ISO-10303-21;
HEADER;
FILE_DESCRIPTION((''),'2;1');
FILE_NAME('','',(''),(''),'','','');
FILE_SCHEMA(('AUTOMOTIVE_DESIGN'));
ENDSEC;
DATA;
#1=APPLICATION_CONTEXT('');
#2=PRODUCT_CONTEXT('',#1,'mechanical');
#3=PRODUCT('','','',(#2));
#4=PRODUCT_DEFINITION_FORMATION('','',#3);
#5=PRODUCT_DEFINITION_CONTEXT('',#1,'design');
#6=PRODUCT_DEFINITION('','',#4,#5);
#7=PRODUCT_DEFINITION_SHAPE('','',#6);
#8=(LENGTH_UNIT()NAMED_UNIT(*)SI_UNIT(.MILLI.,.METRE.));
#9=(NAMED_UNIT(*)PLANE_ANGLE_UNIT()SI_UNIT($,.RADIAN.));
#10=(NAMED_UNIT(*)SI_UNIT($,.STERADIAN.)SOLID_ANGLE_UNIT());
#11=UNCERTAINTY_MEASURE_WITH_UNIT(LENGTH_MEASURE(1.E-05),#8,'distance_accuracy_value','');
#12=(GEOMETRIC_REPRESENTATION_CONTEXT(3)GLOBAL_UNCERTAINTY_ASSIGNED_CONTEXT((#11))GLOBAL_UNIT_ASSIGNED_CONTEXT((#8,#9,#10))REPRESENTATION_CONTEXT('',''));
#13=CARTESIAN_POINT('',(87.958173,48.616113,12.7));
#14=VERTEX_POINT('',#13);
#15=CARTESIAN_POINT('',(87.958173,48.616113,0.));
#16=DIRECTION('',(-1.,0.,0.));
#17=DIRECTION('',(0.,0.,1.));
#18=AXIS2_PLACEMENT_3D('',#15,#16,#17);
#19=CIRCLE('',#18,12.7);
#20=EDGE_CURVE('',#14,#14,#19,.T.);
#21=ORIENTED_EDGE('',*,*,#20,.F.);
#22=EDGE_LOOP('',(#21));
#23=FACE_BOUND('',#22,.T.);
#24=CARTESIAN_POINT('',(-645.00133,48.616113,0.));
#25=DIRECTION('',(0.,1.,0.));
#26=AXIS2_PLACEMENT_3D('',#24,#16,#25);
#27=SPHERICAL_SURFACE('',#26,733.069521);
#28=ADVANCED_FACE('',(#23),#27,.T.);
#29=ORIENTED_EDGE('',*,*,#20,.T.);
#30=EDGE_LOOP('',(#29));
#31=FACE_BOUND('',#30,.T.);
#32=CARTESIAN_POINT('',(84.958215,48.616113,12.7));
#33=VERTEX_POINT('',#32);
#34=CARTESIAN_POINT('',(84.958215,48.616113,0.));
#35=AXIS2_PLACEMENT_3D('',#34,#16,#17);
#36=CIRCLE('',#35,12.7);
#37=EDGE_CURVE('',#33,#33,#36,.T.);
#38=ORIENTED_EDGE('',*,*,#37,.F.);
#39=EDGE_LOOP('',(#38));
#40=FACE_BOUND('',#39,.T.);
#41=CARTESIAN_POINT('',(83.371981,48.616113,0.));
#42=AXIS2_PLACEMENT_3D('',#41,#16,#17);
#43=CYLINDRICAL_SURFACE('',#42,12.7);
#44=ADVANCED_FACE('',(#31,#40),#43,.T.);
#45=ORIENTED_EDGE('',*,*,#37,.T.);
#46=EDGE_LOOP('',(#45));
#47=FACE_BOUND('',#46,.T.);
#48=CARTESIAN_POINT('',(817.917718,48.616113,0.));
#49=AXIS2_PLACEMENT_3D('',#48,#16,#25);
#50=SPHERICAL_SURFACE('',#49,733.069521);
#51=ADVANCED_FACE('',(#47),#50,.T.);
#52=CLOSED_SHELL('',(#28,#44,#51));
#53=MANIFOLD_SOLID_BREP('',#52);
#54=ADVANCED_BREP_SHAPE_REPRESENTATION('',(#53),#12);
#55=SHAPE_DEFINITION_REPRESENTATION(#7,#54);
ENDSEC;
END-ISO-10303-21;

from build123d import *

# Parameters (mm, degrees)
SKETCH_1_ONE_SIDE_W = 2.999957714
SKETCH_1_ONE_SIDE_H = 12.7


with BuildPart() as part:
    # 草图1 one side → 旋转1 (revolve)
    with BuildSketch(Plane.XY):
        with Locations((86.458193775, 54.966113023)):
            Rectangle(SKETCH_1_ONE_SIDE_W, SKETCH_1_ONE_SIDE_H)
        with BuildLine():
            Line((84.848196632, 48.616113023), (84.958214918, 48.616113023))
            Line((84.958214918, 48.616113023), (84.958214918, 61.316113023))
            ThreePointArc((84.958214918, 61.316113023), (84.875701719, 54.966351287), (84.848196632, 48.616113023))
        make_face()
        with BuildLine():
            Line((87.958172632, 48.616113023), (88.068190918, 48.616113023))
            ThreePointArc((88.068190918, 48.616113023), (88.04068583, 54.966351287), (87.958172632, 61.316113023))
            Line((87.958172632, 61.316113023), (87.958172632, 48.616113023))
        make_face()
    revolve(axis=Axis((83.371981052, 48.616113023, 0), (1, 0, 0)))


solid = part.part
